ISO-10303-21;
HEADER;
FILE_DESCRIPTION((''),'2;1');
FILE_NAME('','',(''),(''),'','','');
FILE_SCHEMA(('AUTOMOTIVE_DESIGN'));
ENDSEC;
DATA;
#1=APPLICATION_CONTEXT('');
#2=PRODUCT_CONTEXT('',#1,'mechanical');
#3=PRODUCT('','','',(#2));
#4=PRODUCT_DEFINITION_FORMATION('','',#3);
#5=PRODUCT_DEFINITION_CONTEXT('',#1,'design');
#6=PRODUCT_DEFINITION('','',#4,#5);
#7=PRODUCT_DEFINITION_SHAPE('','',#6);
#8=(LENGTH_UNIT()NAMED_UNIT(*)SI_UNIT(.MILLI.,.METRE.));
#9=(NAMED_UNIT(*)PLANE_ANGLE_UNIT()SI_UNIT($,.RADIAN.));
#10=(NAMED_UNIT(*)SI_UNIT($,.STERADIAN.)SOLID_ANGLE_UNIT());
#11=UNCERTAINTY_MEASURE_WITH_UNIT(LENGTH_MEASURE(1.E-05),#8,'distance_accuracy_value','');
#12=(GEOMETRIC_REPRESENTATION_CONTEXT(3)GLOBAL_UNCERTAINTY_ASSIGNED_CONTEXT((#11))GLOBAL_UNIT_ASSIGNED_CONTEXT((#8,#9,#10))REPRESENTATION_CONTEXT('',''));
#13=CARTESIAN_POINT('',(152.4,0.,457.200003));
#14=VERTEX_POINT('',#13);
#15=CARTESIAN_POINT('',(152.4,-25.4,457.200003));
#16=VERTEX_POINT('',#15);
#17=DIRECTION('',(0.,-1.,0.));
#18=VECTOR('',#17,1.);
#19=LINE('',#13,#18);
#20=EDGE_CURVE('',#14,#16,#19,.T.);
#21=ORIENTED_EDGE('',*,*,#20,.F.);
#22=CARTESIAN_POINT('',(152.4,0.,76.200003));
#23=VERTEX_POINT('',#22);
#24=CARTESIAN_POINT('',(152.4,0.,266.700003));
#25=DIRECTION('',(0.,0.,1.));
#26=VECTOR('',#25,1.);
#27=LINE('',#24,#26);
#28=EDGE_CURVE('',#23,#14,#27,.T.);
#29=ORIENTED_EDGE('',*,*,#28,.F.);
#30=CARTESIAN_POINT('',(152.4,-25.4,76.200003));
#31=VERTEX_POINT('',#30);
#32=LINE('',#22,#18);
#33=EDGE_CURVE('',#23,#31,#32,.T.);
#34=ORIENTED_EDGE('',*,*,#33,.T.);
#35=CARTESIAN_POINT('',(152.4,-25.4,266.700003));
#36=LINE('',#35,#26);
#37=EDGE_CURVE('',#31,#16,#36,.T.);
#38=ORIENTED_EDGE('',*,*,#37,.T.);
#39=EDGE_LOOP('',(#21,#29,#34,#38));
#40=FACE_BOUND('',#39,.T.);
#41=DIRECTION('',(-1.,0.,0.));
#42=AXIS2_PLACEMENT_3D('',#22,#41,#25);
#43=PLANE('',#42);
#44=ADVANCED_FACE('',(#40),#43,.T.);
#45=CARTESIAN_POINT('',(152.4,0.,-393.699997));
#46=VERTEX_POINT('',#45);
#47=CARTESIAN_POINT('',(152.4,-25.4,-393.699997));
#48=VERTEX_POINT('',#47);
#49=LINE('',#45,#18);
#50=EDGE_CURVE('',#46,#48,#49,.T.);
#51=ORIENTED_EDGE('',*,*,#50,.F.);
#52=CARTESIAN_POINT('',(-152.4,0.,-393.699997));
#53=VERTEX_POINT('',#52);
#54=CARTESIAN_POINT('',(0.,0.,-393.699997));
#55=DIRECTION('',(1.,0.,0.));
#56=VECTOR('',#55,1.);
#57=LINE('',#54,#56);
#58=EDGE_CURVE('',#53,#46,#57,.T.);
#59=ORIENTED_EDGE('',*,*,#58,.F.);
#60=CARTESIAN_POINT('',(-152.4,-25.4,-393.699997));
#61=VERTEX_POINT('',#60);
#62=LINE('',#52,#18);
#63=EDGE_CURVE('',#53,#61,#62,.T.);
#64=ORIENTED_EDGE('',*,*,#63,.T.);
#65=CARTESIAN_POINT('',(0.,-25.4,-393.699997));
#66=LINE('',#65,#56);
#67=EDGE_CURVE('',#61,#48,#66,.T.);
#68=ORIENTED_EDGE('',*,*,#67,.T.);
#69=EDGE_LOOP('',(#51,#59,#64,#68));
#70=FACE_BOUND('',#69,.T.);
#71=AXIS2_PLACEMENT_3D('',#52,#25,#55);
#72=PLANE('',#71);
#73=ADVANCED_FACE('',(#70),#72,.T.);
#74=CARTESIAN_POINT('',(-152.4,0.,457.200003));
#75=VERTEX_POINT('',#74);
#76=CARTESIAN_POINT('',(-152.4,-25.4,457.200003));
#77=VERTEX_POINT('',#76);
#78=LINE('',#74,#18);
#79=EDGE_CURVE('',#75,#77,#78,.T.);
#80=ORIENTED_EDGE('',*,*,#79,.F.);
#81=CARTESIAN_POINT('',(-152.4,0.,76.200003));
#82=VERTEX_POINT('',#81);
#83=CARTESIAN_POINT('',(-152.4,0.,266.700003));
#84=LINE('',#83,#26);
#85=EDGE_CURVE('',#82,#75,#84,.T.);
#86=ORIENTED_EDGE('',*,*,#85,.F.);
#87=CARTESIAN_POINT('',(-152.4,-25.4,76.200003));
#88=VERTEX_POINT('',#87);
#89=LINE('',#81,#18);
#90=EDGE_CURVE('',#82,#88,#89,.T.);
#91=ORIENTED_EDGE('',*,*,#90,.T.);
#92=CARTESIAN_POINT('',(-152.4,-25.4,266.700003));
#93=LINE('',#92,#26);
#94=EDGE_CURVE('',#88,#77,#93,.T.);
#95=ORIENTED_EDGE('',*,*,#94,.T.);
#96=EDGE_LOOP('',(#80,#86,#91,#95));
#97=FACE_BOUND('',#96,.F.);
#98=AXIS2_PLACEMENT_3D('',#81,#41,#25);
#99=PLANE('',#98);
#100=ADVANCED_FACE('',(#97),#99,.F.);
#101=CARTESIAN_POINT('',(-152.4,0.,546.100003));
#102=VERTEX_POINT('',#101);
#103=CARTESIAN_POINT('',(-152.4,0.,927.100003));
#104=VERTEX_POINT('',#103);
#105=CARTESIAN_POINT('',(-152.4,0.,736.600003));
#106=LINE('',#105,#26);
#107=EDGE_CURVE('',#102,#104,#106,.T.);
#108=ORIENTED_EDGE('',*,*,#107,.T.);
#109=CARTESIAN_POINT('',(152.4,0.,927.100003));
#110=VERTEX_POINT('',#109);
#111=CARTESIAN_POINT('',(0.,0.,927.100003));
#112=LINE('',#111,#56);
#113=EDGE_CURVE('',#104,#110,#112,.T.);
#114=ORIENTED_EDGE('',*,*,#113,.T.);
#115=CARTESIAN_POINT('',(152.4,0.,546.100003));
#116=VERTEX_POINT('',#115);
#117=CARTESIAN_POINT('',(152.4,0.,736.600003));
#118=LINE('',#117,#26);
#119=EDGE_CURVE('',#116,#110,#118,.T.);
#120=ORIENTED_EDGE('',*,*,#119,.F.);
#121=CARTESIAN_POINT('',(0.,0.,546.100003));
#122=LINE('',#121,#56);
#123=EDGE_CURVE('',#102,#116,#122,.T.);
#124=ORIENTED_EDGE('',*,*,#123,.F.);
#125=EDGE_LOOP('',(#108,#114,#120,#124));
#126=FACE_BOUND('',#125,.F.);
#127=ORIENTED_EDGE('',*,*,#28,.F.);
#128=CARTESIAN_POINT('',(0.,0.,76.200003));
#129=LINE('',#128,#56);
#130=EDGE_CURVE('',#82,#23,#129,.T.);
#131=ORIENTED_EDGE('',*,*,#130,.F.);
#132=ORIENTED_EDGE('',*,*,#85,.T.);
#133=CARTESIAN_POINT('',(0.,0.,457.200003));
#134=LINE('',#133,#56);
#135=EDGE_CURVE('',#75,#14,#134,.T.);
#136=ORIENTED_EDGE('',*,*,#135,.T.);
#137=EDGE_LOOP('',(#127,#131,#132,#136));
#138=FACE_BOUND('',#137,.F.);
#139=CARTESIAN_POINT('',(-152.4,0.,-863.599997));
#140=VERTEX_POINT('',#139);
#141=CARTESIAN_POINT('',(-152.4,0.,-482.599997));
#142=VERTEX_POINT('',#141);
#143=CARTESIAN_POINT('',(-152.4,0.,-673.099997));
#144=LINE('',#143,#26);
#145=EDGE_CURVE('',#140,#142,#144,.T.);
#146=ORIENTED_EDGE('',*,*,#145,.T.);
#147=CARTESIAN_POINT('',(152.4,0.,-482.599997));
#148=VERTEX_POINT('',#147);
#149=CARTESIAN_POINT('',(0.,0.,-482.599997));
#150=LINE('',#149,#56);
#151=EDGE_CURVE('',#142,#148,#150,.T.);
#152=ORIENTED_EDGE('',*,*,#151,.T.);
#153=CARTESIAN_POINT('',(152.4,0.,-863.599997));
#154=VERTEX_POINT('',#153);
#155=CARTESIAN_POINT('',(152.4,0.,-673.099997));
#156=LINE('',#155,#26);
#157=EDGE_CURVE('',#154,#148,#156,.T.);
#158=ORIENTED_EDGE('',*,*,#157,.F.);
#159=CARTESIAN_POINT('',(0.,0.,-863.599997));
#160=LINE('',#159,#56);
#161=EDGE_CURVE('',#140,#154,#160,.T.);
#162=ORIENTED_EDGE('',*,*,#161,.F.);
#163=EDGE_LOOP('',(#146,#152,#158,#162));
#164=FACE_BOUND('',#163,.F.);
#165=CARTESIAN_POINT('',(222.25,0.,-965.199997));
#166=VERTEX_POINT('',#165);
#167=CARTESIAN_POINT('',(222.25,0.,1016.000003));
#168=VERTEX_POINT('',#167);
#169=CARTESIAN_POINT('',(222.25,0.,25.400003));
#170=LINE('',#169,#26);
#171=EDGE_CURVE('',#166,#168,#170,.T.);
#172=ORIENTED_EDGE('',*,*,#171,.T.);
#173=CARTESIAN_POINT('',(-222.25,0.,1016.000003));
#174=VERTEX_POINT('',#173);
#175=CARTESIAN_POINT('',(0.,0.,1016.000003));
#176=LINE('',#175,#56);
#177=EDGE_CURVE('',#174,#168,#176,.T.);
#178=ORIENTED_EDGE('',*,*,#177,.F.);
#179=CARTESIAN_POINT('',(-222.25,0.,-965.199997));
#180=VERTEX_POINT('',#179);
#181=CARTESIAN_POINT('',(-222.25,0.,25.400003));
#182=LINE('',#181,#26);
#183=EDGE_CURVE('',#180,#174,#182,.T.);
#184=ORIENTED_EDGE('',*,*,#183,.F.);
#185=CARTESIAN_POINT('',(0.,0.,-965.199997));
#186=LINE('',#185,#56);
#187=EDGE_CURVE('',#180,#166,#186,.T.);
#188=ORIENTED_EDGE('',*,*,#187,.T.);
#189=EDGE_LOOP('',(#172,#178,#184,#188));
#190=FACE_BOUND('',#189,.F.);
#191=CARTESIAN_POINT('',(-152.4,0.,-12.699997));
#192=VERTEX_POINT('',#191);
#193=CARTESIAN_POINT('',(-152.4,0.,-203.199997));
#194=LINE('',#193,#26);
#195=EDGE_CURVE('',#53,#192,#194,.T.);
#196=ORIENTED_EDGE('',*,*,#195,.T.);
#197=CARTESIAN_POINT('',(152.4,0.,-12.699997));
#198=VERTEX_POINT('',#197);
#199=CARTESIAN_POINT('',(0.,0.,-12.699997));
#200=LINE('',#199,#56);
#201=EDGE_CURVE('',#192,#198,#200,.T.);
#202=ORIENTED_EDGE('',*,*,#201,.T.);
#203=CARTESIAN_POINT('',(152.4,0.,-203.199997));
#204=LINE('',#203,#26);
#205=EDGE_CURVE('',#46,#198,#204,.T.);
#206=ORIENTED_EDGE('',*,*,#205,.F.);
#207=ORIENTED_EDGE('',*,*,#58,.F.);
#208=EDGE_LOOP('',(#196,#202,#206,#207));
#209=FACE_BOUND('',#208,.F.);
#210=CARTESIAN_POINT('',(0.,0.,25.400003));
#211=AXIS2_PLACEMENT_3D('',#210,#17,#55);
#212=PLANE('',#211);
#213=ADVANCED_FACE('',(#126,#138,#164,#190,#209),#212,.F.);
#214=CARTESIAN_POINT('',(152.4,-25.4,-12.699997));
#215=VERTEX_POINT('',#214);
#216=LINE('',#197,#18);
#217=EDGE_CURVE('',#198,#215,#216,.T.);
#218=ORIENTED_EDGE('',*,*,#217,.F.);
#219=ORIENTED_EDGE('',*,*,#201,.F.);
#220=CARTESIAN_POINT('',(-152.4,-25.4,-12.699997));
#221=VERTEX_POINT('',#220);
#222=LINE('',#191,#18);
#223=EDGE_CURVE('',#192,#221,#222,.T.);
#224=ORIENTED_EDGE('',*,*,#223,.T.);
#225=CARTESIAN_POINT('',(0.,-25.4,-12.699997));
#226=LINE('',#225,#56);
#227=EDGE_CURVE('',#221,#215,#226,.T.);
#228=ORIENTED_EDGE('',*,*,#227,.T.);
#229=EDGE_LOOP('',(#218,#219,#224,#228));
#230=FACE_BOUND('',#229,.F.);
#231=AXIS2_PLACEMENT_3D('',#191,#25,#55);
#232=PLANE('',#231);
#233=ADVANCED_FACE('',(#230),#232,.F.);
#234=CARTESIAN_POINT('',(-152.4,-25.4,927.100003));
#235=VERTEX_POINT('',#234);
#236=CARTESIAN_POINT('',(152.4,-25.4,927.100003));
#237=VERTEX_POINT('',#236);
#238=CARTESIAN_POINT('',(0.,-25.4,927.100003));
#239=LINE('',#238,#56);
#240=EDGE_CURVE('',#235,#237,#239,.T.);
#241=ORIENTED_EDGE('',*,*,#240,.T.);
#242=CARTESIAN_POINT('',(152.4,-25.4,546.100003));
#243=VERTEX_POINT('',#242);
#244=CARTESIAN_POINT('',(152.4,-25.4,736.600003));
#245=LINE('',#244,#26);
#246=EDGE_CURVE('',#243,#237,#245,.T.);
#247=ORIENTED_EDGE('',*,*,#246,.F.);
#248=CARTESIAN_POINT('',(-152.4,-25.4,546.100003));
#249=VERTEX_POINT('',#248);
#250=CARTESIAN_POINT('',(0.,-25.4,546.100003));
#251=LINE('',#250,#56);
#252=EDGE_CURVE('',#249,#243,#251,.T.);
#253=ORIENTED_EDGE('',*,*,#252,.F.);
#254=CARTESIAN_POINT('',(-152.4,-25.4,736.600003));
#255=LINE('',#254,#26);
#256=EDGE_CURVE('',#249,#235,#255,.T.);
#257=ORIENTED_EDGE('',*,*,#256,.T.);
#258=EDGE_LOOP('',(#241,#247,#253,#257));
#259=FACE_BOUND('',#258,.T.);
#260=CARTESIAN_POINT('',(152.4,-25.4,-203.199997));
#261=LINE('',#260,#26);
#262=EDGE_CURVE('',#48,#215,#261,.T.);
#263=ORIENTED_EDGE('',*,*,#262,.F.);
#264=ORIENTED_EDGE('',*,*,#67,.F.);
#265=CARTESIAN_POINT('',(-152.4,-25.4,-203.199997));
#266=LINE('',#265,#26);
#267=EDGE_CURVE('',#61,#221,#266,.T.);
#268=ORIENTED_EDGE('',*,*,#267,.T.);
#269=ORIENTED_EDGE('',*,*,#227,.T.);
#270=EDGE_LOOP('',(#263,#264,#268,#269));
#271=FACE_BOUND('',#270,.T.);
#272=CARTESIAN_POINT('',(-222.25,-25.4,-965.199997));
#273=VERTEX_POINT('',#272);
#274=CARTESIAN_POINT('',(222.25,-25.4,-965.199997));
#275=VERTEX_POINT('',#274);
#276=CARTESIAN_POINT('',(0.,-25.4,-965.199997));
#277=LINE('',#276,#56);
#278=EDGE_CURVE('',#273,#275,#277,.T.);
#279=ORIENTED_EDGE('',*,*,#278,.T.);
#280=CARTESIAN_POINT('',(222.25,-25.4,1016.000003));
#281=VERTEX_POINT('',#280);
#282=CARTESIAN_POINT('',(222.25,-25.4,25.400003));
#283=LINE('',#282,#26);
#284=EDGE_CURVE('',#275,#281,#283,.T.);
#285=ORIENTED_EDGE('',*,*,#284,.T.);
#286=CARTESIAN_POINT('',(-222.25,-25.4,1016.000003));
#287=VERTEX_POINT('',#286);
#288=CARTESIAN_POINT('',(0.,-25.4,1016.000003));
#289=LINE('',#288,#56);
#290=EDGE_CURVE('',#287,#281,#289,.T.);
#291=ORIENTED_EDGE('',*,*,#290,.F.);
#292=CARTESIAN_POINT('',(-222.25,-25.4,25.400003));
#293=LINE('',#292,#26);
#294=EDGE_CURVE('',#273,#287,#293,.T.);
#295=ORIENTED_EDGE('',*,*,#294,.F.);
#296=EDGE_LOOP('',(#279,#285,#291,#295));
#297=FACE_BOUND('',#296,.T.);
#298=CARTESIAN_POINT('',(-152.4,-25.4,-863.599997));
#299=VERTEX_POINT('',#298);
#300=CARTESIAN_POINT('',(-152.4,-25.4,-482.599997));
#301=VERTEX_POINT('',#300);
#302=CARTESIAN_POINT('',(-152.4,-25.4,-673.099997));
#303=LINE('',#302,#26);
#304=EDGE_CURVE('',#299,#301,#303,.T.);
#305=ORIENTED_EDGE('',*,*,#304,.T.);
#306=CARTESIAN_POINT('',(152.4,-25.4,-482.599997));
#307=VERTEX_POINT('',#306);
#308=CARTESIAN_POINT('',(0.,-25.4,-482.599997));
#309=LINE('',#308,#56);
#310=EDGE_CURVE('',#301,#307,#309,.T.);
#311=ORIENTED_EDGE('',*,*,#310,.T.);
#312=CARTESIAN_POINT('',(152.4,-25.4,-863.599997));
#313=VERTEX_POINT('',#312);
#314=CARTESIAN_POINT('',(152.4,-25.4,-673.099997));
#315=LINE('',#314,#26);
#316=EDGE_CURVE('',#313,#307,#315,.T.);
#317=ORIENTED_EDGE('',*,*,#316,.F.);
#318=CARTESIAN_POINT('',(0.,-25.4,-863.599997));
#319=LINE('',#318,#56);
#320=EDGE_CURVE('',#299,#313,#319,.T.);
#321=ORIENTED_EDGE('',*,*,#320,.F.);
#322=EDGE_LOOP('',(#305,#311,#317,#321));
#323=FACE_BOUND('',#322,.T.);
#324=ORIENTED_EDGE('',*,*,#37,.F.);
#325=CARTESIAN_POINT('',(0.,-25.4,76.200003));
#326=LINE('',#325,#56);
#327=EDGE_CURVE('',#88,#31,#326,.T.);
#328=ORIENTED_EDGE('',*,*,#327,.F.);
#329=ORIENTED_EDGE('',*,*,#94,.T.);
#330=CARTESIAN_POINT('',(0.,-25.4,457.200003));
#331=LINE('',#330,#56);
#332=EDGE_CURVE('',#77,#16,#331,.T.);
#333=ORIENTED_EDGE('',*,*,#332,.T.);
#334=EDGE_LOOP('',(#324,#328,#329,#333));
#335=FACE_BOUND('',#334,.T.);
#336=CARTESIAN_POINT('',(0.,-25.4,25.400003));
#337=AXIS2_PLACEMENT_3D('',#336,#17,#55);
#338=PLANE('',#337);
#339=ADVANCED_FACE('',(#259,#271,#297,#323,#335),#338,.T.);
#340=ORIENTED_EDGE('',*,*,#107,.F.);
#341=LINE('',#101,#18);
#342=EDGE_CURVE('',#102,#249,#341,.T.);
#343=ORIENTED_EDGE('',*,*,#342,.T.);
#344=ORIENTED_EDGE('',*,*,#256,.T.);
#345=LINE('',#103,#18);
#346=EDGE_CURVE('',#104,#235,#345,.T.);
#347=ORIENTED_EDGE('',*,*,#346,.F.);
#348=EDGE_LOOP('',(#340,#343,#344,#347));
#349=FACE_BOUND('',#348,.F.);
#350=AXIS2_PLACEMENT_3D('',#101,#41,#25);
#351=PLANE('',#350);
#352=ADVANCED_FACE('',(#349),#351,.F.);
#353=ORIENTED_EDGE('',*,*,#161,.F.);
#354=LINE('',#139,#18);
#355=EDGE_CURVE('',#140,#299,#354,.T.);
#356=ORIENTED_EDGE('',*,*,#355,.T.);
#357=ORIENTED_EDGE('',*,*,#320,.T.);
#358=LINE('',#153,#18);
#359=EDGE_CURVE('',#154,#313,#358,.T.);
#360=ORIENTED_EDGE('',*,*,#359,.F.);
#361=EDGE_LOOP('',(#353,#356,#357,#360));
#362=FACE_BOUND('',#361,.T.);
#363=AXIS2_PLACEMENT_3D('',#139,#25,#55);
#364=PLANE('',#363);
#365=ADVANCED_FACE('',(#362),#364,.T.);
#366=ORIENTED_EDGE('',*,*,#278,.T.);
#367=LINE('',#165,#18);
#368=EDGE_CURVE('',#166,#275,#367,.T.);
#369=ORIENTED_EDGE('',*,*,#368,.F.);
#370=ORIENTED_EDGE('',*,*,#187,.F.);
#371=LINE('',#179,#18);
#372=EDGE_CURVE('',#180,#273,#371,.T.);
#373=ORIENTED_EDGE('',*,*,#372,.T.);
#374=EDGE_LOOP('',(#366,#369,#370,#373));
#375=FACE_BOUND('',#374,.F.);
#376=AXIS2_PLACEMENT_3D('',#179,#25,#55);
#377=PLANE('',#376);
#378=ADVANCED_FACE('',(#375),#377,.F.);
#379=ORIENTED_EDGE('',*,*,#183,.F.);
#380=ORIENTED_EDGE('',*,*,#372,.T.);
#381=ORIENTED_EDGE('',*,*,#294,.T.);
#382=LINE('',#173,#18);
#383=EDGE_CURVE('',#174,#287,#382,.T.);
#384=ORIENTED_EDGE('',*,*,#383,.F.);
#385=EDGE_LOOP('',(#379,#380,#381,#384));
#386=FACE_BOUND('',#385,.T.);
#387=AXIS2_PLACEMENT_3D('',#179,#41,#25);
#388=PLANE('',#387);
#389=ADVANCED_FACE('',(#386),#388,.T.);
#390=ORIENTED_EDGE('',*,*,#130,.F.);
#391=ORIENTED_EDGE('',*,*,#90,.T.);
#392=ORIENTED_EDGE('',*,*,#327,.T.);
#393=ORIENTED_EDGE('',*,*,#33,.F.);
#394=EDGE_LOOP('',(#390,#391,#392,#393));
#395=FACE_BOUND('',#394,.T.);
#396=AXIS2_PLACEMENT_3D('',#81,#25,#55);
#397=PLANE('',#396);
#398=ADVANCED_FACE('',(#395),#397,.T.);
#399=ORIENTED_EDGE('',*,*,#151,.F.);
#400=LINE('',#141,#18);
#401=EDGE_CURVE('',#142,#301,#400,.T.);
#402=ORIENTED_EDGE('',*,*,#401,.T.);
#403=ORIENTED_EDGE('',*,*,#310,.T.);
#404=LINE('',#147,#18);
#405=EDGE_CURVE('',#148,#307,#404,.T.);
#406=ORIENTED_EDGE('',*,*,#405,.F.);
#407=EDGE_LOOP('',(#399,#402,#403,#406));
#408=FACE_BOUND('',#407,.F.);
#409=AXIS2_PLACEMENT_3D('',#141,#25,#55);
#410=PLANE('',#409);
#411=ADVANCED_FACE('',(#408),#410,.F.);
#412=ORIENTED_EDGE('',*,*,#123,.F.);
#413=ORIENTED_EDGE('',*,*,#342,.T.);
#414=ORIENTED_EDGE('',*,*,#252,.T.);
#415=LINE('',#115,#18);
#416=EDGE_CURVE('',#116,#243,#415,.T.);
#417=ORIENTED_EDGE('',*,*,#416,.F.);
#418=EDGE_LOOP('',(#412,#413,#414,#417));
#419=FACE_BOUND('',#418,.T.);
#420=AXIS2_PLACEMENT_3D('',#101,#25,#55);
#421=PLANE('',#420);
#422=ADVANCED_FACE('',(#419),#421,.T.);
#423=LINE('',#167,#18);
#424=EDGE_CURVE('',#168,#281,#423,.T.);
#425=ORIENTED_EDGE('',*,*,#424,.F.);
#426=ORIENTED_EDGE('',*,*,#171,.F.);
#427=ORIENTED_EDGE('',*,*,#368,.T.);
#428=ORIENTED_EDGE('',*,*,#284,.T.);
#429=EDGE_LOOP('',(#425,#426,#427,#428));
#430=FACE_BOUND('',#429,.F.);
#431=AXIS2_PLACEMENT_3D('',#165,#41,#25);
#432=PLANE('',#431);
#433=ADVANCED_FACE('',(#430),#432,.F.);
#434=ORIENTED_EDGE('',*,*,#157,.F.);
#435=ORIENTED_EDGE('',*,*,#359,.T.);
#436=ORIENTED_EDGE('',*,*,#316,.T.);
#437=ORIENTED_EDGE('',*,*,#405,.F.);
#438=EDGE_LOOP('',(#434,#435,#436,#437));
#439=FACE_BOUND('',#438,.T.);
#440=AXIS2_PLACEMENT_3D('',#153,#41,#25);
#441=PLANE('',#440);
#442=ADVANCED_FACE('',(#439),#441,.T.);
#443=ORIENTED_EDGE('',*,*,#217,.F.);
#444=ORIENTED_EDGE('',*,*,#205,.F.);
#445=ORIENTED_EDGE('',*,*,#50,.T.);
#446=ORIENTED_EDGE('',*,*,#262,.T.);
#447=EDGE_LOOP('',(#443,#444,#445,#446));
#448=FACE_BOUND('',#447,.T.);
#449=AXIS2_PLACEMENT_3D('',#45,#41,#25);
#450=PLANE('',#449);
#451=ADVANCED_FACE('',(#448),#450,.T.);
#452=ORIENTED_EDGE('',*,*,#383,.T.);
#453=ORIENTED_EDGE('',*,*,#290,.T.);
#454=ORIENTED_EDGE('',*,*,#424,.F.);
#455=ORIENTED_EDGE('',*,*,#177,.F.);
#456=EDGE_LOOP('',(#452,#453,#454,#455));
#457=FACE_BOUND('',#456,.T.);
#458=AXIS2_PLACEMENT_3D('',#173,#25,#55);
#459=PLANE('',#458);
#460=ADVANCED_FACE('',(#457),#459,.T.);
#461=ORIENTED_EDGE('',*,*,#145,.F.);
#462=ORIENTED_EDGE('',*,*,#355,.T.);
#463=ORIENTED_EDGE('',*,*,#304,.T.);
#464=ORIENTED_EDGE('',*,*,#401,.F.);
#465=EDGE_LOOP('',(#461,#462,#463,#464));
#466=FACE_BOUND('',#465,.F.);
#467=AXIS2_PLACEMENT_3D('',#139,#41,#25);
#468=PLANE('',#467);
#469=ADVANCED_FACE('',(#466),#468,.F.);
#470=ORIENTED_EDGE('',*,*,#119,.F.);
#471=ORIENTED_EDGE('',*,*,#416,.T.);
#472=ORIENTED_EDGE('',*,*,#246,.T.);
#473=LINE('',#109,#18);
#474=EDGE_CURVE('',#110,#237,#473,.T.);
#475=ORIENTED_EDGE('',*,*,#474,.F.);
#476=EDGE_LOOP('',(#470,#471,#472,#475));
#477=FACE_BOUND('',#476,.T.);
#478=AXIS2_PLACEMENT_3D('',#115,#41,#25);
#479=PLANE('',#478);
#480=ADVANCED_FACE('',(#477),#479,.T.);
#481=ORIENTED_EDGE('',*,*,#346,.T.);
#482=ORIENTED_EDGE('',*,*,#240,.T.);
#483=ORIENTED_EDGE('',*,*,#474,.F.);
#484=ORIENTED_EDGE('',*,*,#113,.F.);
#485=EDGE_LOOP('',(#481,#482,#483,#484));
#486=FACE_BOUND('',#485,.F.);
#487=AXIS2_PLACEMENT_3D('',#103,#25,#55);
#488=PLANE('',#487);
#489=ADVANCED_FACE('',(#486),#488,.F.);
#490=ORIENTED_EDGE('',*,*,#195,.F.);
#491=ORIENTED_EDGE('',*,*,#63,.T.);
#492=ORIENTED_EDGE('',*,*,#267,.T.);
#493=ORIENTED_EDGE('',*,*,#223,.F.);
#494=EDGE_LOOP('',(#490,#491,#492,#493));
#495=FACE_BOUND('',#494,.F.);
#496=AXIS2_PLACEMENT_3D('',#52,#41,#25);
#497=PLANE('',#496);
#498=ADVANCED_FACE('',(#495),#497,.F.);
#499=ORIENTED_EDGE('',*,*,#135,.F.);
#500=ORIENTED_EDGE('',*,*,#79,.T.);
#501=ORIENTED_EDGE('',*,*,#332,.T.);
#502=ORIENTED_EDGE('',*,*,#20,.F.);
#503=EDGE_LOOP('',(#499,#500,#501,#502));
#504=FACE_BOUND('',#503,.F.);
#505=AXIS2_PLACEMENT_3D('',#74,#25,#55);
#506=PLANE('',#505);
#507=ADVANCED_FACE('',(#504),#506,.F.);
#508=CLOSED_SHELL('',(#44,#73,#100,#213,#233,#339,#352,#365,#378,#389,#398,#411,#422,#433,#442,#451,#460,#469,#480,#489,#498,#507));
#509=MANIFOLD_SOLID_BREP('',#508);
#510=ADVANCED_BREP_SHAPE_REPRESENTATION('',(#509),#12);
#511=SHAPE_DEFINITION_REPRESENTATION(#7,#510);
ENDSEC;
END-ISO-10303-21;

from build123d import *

# Parameters (mm, degrees)
F0_W     = 444.5
F0_H     = 1981.2
F0_W_2   = 304.8
F0_H_2   = 381
F1_DEPTH = 25.4


with BuildPart() as f1:
    # F0 (on Front) → F1 (new body)
    with BuildSketch(Plane.XZ):
        with Locations((0, 25.400003)):
            Rectangle(F0_W, F0_H)
        with Locations((0, -673.099997)):
            Rectangle(F0_W_2, F0_H_2, mode=Mode.SUBTRACT)
        with Locations((0, -203.199997)):
            Rectangle(F0_W_2, F0_H_2, mode=Mode.SUBTRACT)
        with Locations((0, 266.700003)):
            Rectangle(F0_W_2, F0_H_2, mode=Mode.SUBTRACT)
        with Locations((0, 736.600003)):
            Rectangle(F0_W_2, F0_H_2, mode=Mode.SUBTRACT)
    extrude(amount=F1_DEPTH)


solid = f1.part
